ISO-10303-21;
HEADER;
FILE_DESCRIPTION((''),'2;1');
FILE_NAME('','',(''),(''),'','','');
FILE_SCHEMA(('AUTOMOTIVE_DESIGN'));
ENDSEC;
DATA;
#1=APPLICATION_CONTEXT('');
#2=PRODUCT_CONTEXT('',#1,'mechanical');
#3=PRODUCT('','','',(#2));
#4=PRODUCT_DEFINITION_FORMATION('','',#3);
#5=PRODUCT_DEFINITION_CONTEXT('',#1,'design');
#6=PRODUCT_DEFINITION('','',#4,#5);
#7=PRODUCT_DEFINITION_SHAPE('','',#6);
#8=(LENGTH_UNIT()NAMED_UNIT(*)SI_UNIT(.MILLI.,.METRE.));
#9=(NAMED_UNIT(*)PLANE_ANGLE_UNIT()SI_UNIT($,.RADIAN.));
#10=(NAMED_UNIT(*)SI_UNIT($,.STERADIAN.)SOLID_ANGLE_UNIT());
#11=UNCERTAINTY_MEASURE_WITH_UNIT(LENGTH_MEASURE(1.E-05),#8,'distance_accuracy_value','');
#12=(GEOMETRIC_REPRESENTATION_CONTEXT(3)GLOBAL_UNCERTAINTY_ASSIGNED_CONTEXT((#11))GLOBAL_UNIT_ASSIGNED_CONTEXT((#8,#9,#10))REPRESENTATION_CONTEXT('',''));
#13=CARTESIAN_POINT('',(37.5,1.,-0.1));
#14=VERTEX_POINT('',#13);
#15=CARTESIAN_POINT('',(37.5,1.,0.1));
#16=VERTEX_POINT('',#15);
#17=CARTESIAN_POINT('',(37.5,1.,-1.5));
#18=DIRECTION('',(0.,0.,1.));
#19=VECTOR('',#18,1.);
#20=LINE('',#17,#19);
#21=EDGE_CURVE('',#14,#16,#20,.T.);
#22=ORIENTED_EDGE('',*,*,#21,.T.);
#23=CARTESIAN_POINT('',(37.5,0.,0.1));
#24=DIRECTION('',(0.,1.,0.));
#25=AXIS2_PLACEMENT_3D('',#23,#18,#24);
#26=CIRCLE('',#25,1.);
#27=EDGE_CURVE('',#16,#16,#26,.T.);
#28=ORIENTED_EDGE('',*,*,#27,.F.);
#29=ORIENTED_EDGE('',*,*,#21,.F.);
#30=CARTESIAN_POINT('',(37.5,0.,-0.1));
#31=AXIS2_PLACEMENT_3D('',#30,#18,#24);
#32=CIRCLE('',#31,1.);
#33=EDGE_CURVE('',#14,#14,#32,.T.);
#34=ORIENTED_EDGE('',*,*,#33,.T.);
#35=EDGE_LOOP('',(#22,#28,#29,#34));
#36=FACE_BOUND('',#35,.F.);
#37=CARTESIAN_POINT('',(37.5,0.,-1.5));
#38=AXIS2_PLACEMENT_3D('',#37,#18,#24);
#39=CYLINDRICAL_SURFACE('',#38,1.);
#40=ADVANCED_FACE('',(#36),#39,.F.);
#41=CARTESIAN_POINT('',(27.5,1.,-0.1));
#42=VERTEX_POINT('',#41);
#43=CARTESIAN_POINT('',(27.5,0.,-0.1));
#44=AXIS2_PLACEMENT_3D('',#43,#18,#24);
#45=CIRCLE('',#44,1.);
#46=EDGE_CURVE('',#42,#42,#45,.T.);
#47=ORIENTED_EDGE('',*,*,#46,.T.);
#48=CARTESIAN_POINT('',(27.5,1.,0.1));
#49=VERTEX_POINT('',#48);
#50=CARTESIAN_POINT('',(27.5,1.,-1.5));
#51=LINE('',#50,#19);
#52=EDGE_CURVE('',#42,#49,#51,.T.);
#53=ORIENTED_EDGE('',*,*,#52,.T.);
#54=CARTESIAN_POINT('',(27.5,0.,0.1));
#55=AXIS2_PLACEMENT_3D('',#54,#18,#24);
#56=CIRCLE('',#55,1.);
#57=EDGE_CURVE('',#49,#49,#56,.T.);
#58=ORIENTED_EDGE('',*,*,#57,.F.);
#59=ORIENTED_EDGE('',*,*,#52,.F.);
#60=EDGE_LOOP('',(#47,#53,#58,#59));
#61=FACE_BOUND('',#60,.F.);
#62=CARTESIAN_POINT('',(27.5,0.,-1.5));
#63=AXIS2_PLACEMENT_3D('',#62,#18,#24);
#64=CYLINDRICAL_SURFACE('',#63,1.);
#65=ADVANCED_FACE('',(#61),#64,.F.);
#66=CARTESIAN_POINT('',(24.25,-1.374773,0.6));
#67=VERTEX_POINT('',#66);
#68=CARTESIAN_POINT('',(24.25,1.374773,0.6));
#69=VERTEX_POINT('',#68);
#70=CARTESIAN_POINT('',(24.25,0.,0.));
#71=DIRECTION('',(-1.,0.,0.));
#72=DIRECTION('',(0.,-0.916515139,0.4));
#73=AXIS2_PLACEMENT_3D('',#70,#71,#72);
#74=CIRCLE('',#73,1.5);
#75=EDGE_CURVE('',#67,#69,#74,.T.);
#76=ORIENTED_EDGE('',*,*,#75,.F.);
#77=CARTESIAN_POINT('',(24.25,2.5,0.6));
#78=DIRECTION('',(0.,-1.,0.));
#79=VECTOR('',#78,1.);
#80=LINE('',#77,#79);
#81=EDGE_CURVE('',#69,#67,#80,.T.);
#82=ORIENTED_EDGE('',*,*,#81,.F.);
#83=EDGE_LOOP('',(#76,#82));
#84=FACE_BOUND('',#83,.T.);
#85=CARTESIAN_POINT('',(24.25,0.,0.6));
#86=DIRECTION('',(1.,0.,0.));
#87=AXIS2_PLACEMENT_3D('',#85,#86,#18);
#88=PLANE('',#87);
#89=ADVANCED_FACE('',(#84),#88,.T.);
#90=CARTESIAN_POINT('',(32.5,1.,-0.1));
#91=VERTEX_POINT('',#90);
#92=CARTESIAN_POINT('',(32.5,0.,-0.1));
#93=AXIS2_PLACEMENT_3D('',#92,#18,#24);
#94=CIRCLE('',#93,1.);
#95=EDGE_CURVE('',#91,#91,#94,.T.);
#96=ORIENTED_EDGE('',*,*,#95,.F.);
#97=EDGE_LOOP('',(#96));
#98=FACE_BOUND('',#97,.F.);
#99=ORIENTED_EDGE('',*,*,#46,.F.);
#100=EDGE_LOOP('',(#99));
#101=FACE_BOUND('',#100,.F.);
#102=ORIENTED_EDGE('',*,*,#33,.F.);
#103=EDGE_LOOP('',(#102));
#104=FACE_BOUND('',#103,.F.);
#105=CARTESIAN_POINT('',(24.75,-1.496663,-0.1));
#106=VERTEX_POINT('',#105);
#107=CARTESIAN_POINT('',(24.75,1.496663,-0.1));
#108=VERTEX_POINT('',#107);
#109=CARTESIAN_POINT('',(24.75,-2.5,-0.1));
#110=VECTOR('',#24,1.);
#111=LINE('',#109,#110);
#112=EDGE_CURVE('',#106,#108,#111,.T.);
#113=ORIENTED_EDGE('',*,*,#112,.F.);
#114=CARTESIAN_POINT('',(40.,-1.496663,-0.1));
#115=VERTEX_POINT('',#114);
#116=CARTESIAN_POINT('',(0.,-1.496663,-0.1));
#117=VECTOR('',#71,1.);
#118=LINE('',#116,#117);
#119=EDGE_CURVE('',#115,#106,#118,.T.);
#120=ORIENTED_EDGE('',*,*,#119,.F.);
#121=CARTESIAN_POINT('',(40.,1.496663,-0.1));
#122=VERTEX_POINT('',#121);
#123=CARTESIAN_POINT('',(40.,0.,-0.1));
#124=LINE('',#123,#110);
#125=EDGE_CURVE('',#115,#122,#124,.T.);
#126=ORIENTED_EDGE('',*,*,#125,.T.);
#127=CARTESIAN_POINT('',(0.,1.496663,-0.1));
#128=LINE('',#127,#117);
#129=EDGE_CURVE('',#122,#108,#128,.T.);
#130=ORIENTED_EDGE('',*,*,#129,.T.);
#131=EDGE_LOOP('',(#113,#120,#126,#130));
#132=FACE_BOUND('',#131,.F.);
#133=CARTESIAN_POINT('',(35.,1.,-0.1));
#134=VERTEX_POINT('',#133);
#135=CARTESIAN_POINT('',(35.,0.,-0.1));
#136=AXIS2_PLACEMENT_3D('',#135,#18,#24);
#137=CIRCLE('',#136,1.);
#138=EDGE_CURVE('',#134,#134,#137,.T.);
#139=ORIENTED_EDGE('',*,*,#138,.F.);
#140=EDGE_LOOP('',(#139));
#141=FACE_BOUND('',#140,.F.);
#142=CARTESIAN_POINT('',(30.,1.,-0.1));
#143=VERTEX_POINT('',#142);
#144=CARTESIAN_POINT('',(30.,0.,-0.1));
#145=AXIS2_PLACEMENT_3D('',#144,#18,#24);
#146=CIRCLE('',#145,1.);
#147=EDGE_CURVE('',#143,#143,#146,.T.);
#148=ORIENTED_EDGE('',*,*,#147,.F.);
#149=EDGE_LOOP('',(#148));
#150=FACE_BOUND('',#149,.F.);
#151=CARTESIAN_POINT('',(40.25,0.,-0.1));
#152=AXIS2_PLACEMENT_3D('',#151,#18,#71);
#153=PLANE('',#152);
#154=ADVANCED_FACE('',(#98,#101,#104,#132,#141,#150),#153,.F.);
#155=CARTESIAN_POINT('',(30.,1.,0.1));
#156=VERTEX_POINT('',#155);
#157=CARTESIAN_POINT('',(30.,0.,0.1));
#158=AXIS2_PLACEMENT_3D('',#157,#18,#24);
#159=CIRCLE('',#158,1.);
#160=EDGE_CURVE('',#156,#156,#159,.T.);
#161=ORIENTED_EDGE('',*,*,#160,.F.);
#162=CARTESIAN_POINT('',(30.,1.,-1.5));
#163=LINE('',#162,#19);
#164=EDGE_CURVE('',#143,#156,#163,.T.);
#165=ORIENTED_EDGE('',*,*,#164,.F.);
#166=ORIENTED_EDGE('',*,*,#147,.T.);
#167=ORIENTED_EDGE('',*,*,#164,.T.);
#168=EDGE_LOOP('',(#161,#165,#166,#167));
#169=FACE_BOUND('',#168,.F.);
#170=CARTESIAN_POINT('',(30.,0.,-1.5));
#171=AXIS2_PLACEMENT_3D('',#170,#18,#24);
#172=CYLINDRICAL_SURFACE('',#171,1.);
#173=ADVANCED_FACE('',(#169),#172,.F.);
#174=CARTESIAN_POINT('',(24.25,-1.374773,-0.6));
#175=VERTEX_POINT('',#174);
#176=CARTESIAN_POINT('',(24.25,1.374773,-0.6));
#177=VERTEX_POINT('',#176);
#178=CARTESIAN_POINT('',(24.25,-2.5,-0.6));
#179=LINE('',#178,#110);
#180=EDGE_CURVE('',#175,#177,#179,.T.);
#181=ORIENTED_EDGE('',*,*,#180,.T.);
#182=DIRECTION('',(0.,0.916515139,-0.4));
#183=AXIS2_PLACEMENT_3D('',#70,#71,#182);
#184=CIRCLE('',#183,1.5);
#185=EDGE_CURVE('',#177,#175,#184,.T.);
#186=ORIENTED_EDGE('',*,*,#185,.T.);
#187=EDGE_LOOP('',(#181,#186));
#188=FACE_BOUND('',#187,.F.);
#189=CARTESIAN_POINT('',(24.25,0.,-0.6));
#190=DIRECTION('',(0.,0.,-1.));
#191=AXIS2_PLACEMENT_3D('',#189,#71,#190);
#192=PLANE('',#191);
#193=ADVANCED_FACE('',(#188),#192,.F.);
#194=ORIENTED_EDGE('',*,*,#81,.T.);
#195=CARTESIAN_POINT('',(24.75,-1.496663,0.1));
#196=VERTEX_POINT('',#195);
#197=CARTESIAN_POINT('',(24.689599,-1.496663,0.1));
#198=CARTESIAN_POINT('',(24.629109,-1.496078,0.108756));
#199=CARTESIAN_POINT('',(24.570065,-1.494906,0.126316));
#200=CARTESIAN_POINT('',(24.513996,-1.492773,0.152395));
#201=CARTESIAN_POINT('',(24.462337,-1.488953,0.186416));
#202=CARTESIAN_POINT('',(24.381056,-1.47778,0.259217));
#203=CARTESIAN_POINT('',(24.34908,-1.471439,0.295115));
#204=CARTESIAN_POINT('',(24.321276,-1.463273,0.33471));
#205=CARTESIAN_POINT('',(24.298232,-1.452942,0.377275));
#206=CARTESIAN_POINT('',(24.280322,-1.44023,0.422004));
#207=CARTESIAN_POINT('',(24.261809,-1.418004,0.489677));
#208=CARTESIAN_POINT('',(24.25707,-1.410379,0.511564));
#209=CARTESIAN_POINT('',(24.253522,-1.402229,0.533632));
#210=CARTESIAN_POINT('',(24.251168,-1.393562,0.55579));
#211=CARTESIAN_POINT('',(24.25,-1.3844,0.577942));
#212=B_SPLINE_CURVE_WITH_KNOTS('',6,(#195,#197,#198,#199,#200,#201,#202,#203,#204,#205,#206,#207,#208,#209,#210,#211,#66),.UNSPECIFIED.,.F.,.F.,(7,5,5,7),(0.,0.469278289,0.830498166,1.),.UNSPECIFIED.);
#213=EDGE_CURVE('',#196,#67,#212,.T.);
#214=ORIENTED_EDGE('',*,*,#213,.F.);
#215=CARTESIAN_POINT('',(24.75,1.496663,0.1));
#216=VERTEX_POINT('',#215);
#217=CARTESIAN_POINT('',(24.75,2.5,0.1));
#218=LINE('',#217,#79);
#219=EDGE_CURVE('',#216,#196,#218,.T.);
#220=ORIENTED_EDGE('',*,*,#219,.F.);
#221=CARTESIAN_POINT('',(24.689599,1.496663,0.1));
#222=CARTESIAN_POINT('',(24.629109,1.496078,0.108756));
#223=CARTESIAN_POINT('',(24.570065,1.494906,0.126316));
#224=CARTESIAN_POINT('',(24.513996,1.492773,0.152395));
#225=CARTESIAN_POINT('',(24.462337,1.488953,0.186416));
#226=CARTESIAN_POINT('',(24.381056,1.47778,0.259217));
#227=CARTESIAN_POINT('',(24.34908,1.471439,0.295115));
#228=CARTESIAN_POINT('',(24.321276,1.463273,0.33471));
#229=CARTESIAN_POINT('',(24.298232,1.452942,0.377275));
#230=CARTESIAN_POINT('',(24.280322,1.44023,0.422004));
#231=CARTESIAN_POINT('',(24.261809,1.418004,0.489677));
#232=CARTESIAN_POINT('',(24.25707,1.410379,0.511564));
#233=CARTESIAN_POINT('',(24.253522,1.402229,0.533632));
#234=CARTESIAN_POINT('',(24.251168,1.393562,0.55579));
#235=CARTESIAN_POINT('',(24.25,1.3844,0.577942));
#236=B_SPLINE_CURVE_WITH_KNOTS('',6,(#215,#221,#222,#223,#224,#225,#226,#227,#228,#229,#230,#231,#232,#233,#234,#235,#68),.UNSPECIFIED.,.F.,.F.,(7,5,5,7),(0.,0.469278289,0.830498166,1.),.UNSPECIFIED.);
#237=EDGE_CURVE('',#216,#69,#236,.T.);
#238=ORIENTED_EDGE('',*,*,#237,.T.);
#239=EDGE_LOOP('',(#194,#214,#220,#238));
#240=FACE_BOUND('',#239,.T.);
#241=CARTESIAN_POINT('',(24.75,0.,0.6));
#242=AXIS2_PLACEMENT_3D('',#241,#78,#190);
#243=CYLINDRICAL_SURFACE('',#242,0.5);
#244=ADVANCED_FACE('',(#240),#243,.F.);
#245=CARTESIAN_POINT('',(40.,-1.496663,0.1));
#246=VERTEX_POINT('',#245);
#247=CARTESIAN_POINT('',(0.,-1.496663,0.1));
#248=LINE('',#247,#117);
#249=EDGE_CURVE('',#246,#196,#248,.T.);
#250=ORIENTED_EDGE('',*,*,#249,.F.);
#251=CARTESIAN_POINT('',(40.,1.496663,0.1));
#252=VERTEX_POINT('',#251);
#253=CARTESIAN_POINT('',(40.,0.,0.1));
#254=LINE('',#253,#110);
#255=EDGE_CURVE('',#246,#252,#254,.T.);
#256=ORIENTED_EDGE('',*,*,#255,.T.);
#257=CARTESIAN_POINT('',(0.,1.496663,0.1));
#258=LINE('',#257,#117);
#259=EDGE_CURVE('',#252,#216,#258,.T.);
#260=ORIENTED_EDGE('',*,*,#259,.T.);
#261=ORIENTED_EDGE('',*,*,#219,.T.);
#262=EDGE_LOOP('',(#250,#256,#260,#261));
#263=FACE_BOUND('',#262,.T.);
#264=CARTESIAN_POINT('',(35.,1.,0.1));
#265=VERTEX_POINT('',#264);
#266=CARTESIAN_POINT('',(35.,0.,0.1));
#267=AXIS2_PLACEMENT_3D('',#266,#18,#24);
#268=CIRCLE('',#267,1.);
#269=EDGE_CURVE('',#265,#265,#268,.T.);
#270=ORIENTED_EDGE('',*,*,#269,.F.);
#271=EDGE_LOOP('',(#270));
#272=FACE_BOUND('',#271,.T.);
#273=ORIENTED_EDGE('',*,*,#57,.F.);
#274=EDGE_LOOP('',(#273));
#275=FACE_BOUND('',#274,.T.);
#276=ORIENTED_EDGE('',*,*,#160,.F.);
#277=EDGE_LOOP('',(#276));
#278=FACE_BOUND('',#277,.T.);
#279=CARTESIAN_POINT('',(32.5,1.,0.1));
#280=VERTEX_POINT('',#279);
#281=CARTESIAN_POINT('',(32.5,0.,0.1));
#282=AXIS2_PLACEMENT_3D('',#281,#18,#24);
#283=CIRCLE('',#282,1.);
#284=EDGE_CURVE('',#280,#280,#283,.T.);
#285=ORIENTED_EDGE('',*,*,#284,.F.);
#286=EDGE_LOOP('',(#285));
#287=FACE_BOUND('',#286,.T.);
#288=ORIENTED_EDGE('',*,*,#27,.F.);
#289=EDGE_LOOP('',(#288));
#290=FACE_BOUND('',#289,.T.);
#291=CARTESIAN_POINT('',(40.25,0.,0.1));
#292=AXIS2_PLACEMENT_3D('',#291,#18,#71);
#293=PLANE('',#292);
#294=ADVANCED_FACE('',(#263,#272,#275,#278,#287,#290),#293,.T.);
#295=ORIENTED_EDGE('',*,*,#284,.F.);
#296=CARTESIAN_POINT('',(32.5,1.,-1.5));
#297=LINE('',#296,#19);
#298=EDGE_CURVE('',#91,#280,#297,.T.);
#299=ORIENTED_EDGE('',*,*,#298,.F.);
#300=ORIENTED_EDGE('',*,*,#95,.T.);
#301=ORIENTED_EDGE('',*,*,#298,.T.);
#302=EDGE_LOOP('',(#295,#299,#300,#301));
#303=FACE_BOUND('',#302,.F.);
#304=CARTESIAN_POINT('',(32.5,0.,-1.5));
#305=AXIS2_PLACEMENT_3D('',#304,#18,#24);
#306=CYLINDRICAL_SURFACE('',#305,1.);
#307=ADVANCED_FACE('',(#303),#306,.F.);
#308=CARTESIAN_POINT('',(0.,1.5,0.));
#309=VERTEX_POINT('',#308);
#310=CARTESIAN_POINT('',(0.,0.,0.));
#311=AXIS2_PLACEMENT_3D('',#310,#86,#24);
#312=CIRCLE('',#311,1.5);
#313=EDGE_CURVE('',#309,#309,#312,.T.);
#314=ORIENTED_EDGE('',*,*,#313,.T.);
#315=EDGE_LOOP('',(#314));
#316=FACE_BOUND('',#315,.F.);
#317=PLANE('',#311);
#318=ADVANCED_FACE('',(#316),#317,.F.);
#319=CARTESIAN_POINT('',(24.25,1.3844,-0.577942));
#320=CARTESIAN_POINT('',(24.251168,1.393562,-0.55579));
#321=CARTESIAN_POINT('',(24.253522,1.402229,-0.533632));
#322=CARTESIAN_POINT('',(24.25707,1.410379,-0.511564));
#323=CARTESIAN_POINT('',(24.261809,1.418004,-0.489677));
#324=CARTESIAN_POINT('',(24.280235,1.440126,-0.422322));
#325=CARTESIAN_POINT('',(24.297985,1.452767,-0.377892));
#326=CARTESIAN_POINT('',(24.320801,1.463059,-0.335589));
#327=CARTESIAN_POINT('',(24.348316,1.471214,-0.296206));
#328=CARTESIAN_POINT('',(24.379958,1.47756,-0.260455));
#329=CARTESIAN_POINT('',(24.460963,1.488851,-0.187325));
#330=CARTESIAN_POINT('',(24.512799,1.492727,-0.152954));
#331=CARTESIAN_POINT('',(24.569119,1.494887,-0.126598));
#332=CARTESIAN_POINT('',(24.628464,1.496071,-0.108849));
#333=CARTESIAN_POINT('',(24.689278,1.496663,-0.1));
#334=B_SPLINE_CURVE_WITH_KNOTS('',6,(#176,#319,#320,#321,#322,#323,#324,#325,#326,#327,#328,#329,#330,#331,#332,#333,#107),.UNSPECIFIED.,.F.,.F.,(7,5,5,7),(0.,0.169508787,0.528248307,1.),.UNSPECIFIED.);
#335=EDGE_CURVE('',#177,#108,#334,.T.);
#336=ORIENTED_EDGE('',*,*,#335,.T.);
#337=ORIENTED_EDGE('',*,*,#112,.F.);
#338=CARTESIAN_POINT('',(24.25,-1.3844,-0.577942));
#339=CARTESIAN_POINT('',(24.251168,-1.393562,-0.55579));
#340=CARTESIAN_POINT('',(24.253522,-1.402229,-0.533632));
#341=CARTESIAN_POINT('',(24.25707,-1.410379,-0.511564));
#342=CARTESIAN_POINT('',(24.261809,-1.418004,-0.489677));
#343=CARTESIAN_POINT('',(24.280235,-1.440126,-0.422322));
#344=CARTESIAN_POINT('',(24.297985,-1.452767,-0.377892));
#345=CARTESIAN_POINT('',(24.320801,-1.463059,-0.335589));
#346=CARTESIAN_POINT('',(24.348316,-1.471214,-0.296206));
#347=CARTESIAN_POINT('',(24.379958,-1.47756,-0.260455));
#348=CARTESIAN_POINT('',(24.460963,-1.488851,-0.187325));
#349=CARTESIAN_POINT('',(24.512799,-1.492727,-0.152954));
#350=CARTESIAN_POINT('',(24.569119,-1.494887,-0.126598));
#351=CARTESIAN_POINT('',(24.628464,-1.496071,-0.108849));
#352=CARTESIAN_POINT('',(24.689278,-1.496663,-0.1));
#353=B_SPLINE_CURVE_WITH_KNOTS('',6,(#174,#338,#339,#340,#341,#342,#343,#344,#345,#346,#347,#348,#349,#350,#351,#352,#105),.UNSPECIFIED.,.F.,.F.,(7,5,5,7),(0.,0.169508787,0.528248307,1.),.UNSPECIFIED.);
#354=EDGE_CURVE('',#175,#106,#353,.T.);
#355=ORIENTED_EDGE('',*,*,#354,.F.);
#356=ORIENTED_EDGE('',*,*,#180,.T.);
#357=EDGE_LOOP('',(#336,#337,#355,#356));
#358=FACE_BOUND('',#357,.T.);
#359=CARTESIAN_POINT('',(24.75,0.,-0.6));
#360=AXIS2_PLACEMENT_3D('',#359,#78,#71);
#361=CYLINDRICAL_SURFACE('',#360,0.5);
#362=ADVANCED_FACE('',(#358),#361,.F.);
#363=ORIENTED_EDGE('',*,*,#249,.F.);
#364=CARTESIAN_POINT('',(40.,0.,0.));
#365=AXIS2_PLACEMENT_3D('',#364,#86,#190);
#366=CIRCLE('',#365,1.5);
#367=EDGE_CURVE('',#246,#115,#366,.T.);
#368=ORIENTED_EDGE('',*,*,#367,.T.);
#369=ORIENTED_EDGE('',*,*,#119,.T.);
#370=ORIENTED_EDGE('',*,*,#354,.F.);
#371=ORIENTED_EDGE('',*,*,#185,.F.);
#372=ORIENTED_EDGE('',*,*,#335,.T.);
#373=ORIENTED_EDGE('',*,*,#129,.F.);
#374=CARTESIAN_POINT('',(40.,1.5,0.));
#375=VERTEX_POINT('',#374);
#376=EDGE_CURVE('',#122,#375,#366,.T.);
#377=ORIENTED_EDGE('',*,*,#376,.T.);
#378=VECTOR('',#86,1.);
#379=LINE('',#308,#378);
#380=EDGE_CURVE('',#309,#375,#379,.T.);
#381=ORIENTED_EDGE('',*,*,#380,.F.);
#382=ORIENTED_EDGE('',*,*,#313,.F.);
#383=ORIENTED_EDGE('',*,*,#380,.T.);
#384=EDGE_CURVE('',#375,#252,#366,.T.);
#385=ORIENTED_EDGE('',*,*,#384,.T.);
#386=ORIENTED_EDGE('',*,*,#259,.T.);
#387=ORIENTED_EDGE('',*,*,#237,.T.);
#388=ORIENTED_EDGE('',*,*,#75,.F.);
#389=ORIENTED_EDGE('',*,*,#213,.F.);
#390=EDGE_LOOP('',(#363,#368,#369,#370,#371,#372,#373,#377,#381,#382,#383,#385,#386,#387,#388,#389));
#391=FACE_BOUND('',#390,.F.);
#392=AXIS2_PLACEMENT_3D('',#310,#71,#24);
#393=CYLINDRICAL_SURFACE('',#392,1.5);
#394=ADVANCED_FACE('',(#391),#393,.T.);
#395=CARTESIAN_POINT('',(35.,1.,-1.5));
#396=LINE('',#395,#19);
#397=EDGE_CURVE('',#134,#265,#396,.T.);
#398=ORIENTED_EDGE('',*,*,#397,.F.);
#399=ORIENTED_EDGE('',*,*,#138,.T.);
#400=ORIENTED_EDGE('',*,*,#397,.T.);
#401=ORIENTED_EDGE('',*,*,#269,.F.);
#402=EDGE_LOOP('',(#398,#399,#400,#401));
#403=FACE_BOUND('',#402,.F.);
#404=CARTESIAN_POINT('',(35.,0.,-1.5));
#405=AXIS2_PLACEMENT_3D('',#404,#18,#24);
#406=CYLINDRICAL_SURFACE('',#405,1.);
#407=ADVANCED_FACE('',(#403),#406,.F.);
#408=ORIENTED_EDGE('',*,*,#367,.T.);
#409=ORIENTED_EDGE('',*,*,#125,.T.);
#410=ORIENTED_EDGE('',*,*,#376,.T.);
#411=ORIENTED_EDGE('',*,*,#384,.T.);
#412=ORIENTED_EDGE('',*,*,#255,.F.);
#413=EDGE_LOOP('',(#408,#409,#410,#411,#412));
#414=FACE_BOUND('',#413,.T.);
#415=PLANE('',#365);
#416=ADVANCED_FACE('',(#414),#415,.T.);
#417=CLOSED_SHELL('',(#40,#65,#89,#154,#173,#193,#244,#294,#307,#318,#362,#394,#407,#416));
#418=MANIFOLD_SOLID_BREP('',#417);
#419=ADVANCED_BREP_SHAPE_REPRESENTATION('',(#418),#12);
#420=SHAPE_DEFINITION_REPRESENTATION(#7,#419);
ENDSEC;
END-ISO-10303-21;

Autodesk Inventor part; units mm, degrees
ref_plane "YZ Plane" through (0, 0, 0) normal (1, 0, 0) x (0, 1, 0)
sketch "Sketch1" plane through (0, 0, 0) normal (1, 0, 0) x (0, 1, 0)
  circle A0 centre (0, 0) radius 1.5
  dimension "d0" = 3
extrude "Extrusion1" add sketch "Sketch1" along normal blind 71
ref_plane "Work Plane1" through (0, 0, -1.5) normal (0, 0, 1) x (1, 0, 0)
sketch "Sketch3" plane through (0, 0, -1.5) normal (0, 0, 1) x (1, 0, 0)
  line L0 (-14.2, 0) -> (85.2, 0) construction
  line L1 (0, -1.5) -> (0, 1.5) construction
  point P0 (0, 0)
  point P1 (27.5, 0)
  dimension "d16" = 27.5
hole "Hole1" at (27.5, 0, -1.5) direction (0, 0, 1) diameter 2 end through all
pattern_linear "Rectangular Pattern1" count 5 spacing 2.5 along (1, 0, 0) of "Hole1"
sketch "Sketch2" plane through (0, 0, 0) normal (0, 1, 0) x (-1, 0, 0)
  line L0 (-71, 1.5) -> (-71, -1.5) construction
  line L1 (0, 1.5) -> (0, -1.5) construction
  line L2 (-24.25, 1.5) -> (-40.75, 1.5)
  line L3 (-40.75, 1.5) -> (-40.75, 0.6)
  line L4 (-40.25, 0.1) -> (-24.75, 0.1)
  line L5 (-24.25, 0.6) -> (-24.25, 1.5)
  line L6 (-24.25, -1.5) -> (-40.75, -1.5)
  line L7 (-40.75, -1.5) -> (-40.75, -0.6)
  line L8 (-40.25, -0.1) -> (-24.75, -0.1)
  line L9 (-24.25, -0.6) -> (-24.25, -1.5)
  line L10 (0, 1.5) -> (-71, 1.5) construction
  line L11 (0, -1.5) -> (-71, -1.5) construction
  line L12 (13.2, 0) -> (-79.2, 0) construction
  arc A0 (-24.75, 0.1) -> (-24.25, 0.6) centre (-24.75, 0.6) ccw
  arc A1 (-40.75, 0.6) -> (-40.25, 0.1) centre (-40.25, 0.6) ccw
  arc A2 (-24.25, -0.6) -> (-24.75, -0.1) centre (-24.75, -0.6) ccw
  arc A3 (-40.25, -0.1) -> (-40.75, -0.6) centre (-40.25, -0.6) ccw
  point P0 (0, 0)
  dimension "d3" = 0.5
  dimension "d4" = 0.2
  dimension "d20" = 16.5
  dimension "d21" = 24.25
extrude "Extrusion2" cut sketch "Sketch2" along normal through all both and the other way through all
ref_plane "Work Plane2" through (0, 0, 0) normal (0, 0.7071, 0.7071) x (1, 0, 0)
sketch "Sketch4" plane through (0, 0, 0) normal (0, 0.7071, 0.7071) x (1, 0, 0)
  line L0 (26.9374, -0.3516) -> (28.0626, -0.3516)
  line L1 (28.0626, -0.3516) -> (28.0626, 0.3516)
  line L2 (28.0626, 0.3516) -> (26.9374, 0.3516)
  line L3 (26.9374, 0.3516) -> (26.9374, -0.3516)
  line L4 (26.9374, -0.3516) -> (28.0626, 0.3516) construction
  line L5 (28.0626, -0.3516) -> (26.9374, 0.3516) construction
  line L6 (26.7934, -0.5175) -> (28.2066, -0.5175)
  line L7 (28.2066, -0.5175) -> (28.2066, 0.5175)
  line L8 (28.2066, 0.5175) -> (26.7934, 0.5175)
  line L9 (26.7934, 0.5175) -> (26.7934, -0.5175)
  line L10 (26.7934, -0.5175) -> (28.2066, 0.5175) construction
  line L11 (28.2066, -0.5175) -> (26.7934, 0.5175) construction
  line L12 (27.1467, -0.2588) -> (27.8533, -0.2588)
  line L13 (27.8533, -0.2588) -> (27.8533, 0.2587)
  line L14 (27.8533, 0.2587) -> (27.1467, 0.2587)
  line L15 (27.1467, 0.2587) -> (27.1467, -0.2588)
  line L16 (27.1467, -0.2588) -> (27.8533, 0.2587) construction
  line L17 (27.8533, -0.2588) -> (27.1467, 0.2587) construction
  line L18 (-5.7, 0) -> (34.2, 0) construction
  ellipse E0 centre (27.5, -0.0707) end of major axis (28.5, -0.0707) minor radius 0.7071 construction
  ellipse E1 centre (27.5, 0.0707) end of major axis (28.5, 0.0707) minor radius 0.7071 construction
  line L19 (27.5, -0.0707) -> (27.5, 0.0707) construction
  point P0 (0, 0)
  point P1 (27.5, 0)
  dimension "d23" = 0.7032
  dimension "d24" = 1.1251
  dimension "d25" = 1.4131
  dimension "d26" = 1.035
  dimension "d27" = 0.5175
  dimension "d28" = 0.7066
sketch "Sketch5" plane through (71, 0, 0) normal (1, 0, 0) x (0, 0, -1)
  circle A0 centre (0, 0) radius 1.5 projected
extrude "Extrusion3" cut sketch "Sketch5" against normal blind 31
equation "\"d16\" = DistanceHoleEnd"
equation "\"d9\" = DiameterHole"
equation "\"d19\" = DistanceHoleHole"
equation "\"d4\" = Thickness"
equation "\"DistanceHoleHole\" = 2.5"
equation "\"DiameterHole\" = 2"
equation "\"DistanceHoleEnd\" = 27.5"
equation "\"Thickness\" = 0.2"
properties part number "5_multi_beetle_holder"
